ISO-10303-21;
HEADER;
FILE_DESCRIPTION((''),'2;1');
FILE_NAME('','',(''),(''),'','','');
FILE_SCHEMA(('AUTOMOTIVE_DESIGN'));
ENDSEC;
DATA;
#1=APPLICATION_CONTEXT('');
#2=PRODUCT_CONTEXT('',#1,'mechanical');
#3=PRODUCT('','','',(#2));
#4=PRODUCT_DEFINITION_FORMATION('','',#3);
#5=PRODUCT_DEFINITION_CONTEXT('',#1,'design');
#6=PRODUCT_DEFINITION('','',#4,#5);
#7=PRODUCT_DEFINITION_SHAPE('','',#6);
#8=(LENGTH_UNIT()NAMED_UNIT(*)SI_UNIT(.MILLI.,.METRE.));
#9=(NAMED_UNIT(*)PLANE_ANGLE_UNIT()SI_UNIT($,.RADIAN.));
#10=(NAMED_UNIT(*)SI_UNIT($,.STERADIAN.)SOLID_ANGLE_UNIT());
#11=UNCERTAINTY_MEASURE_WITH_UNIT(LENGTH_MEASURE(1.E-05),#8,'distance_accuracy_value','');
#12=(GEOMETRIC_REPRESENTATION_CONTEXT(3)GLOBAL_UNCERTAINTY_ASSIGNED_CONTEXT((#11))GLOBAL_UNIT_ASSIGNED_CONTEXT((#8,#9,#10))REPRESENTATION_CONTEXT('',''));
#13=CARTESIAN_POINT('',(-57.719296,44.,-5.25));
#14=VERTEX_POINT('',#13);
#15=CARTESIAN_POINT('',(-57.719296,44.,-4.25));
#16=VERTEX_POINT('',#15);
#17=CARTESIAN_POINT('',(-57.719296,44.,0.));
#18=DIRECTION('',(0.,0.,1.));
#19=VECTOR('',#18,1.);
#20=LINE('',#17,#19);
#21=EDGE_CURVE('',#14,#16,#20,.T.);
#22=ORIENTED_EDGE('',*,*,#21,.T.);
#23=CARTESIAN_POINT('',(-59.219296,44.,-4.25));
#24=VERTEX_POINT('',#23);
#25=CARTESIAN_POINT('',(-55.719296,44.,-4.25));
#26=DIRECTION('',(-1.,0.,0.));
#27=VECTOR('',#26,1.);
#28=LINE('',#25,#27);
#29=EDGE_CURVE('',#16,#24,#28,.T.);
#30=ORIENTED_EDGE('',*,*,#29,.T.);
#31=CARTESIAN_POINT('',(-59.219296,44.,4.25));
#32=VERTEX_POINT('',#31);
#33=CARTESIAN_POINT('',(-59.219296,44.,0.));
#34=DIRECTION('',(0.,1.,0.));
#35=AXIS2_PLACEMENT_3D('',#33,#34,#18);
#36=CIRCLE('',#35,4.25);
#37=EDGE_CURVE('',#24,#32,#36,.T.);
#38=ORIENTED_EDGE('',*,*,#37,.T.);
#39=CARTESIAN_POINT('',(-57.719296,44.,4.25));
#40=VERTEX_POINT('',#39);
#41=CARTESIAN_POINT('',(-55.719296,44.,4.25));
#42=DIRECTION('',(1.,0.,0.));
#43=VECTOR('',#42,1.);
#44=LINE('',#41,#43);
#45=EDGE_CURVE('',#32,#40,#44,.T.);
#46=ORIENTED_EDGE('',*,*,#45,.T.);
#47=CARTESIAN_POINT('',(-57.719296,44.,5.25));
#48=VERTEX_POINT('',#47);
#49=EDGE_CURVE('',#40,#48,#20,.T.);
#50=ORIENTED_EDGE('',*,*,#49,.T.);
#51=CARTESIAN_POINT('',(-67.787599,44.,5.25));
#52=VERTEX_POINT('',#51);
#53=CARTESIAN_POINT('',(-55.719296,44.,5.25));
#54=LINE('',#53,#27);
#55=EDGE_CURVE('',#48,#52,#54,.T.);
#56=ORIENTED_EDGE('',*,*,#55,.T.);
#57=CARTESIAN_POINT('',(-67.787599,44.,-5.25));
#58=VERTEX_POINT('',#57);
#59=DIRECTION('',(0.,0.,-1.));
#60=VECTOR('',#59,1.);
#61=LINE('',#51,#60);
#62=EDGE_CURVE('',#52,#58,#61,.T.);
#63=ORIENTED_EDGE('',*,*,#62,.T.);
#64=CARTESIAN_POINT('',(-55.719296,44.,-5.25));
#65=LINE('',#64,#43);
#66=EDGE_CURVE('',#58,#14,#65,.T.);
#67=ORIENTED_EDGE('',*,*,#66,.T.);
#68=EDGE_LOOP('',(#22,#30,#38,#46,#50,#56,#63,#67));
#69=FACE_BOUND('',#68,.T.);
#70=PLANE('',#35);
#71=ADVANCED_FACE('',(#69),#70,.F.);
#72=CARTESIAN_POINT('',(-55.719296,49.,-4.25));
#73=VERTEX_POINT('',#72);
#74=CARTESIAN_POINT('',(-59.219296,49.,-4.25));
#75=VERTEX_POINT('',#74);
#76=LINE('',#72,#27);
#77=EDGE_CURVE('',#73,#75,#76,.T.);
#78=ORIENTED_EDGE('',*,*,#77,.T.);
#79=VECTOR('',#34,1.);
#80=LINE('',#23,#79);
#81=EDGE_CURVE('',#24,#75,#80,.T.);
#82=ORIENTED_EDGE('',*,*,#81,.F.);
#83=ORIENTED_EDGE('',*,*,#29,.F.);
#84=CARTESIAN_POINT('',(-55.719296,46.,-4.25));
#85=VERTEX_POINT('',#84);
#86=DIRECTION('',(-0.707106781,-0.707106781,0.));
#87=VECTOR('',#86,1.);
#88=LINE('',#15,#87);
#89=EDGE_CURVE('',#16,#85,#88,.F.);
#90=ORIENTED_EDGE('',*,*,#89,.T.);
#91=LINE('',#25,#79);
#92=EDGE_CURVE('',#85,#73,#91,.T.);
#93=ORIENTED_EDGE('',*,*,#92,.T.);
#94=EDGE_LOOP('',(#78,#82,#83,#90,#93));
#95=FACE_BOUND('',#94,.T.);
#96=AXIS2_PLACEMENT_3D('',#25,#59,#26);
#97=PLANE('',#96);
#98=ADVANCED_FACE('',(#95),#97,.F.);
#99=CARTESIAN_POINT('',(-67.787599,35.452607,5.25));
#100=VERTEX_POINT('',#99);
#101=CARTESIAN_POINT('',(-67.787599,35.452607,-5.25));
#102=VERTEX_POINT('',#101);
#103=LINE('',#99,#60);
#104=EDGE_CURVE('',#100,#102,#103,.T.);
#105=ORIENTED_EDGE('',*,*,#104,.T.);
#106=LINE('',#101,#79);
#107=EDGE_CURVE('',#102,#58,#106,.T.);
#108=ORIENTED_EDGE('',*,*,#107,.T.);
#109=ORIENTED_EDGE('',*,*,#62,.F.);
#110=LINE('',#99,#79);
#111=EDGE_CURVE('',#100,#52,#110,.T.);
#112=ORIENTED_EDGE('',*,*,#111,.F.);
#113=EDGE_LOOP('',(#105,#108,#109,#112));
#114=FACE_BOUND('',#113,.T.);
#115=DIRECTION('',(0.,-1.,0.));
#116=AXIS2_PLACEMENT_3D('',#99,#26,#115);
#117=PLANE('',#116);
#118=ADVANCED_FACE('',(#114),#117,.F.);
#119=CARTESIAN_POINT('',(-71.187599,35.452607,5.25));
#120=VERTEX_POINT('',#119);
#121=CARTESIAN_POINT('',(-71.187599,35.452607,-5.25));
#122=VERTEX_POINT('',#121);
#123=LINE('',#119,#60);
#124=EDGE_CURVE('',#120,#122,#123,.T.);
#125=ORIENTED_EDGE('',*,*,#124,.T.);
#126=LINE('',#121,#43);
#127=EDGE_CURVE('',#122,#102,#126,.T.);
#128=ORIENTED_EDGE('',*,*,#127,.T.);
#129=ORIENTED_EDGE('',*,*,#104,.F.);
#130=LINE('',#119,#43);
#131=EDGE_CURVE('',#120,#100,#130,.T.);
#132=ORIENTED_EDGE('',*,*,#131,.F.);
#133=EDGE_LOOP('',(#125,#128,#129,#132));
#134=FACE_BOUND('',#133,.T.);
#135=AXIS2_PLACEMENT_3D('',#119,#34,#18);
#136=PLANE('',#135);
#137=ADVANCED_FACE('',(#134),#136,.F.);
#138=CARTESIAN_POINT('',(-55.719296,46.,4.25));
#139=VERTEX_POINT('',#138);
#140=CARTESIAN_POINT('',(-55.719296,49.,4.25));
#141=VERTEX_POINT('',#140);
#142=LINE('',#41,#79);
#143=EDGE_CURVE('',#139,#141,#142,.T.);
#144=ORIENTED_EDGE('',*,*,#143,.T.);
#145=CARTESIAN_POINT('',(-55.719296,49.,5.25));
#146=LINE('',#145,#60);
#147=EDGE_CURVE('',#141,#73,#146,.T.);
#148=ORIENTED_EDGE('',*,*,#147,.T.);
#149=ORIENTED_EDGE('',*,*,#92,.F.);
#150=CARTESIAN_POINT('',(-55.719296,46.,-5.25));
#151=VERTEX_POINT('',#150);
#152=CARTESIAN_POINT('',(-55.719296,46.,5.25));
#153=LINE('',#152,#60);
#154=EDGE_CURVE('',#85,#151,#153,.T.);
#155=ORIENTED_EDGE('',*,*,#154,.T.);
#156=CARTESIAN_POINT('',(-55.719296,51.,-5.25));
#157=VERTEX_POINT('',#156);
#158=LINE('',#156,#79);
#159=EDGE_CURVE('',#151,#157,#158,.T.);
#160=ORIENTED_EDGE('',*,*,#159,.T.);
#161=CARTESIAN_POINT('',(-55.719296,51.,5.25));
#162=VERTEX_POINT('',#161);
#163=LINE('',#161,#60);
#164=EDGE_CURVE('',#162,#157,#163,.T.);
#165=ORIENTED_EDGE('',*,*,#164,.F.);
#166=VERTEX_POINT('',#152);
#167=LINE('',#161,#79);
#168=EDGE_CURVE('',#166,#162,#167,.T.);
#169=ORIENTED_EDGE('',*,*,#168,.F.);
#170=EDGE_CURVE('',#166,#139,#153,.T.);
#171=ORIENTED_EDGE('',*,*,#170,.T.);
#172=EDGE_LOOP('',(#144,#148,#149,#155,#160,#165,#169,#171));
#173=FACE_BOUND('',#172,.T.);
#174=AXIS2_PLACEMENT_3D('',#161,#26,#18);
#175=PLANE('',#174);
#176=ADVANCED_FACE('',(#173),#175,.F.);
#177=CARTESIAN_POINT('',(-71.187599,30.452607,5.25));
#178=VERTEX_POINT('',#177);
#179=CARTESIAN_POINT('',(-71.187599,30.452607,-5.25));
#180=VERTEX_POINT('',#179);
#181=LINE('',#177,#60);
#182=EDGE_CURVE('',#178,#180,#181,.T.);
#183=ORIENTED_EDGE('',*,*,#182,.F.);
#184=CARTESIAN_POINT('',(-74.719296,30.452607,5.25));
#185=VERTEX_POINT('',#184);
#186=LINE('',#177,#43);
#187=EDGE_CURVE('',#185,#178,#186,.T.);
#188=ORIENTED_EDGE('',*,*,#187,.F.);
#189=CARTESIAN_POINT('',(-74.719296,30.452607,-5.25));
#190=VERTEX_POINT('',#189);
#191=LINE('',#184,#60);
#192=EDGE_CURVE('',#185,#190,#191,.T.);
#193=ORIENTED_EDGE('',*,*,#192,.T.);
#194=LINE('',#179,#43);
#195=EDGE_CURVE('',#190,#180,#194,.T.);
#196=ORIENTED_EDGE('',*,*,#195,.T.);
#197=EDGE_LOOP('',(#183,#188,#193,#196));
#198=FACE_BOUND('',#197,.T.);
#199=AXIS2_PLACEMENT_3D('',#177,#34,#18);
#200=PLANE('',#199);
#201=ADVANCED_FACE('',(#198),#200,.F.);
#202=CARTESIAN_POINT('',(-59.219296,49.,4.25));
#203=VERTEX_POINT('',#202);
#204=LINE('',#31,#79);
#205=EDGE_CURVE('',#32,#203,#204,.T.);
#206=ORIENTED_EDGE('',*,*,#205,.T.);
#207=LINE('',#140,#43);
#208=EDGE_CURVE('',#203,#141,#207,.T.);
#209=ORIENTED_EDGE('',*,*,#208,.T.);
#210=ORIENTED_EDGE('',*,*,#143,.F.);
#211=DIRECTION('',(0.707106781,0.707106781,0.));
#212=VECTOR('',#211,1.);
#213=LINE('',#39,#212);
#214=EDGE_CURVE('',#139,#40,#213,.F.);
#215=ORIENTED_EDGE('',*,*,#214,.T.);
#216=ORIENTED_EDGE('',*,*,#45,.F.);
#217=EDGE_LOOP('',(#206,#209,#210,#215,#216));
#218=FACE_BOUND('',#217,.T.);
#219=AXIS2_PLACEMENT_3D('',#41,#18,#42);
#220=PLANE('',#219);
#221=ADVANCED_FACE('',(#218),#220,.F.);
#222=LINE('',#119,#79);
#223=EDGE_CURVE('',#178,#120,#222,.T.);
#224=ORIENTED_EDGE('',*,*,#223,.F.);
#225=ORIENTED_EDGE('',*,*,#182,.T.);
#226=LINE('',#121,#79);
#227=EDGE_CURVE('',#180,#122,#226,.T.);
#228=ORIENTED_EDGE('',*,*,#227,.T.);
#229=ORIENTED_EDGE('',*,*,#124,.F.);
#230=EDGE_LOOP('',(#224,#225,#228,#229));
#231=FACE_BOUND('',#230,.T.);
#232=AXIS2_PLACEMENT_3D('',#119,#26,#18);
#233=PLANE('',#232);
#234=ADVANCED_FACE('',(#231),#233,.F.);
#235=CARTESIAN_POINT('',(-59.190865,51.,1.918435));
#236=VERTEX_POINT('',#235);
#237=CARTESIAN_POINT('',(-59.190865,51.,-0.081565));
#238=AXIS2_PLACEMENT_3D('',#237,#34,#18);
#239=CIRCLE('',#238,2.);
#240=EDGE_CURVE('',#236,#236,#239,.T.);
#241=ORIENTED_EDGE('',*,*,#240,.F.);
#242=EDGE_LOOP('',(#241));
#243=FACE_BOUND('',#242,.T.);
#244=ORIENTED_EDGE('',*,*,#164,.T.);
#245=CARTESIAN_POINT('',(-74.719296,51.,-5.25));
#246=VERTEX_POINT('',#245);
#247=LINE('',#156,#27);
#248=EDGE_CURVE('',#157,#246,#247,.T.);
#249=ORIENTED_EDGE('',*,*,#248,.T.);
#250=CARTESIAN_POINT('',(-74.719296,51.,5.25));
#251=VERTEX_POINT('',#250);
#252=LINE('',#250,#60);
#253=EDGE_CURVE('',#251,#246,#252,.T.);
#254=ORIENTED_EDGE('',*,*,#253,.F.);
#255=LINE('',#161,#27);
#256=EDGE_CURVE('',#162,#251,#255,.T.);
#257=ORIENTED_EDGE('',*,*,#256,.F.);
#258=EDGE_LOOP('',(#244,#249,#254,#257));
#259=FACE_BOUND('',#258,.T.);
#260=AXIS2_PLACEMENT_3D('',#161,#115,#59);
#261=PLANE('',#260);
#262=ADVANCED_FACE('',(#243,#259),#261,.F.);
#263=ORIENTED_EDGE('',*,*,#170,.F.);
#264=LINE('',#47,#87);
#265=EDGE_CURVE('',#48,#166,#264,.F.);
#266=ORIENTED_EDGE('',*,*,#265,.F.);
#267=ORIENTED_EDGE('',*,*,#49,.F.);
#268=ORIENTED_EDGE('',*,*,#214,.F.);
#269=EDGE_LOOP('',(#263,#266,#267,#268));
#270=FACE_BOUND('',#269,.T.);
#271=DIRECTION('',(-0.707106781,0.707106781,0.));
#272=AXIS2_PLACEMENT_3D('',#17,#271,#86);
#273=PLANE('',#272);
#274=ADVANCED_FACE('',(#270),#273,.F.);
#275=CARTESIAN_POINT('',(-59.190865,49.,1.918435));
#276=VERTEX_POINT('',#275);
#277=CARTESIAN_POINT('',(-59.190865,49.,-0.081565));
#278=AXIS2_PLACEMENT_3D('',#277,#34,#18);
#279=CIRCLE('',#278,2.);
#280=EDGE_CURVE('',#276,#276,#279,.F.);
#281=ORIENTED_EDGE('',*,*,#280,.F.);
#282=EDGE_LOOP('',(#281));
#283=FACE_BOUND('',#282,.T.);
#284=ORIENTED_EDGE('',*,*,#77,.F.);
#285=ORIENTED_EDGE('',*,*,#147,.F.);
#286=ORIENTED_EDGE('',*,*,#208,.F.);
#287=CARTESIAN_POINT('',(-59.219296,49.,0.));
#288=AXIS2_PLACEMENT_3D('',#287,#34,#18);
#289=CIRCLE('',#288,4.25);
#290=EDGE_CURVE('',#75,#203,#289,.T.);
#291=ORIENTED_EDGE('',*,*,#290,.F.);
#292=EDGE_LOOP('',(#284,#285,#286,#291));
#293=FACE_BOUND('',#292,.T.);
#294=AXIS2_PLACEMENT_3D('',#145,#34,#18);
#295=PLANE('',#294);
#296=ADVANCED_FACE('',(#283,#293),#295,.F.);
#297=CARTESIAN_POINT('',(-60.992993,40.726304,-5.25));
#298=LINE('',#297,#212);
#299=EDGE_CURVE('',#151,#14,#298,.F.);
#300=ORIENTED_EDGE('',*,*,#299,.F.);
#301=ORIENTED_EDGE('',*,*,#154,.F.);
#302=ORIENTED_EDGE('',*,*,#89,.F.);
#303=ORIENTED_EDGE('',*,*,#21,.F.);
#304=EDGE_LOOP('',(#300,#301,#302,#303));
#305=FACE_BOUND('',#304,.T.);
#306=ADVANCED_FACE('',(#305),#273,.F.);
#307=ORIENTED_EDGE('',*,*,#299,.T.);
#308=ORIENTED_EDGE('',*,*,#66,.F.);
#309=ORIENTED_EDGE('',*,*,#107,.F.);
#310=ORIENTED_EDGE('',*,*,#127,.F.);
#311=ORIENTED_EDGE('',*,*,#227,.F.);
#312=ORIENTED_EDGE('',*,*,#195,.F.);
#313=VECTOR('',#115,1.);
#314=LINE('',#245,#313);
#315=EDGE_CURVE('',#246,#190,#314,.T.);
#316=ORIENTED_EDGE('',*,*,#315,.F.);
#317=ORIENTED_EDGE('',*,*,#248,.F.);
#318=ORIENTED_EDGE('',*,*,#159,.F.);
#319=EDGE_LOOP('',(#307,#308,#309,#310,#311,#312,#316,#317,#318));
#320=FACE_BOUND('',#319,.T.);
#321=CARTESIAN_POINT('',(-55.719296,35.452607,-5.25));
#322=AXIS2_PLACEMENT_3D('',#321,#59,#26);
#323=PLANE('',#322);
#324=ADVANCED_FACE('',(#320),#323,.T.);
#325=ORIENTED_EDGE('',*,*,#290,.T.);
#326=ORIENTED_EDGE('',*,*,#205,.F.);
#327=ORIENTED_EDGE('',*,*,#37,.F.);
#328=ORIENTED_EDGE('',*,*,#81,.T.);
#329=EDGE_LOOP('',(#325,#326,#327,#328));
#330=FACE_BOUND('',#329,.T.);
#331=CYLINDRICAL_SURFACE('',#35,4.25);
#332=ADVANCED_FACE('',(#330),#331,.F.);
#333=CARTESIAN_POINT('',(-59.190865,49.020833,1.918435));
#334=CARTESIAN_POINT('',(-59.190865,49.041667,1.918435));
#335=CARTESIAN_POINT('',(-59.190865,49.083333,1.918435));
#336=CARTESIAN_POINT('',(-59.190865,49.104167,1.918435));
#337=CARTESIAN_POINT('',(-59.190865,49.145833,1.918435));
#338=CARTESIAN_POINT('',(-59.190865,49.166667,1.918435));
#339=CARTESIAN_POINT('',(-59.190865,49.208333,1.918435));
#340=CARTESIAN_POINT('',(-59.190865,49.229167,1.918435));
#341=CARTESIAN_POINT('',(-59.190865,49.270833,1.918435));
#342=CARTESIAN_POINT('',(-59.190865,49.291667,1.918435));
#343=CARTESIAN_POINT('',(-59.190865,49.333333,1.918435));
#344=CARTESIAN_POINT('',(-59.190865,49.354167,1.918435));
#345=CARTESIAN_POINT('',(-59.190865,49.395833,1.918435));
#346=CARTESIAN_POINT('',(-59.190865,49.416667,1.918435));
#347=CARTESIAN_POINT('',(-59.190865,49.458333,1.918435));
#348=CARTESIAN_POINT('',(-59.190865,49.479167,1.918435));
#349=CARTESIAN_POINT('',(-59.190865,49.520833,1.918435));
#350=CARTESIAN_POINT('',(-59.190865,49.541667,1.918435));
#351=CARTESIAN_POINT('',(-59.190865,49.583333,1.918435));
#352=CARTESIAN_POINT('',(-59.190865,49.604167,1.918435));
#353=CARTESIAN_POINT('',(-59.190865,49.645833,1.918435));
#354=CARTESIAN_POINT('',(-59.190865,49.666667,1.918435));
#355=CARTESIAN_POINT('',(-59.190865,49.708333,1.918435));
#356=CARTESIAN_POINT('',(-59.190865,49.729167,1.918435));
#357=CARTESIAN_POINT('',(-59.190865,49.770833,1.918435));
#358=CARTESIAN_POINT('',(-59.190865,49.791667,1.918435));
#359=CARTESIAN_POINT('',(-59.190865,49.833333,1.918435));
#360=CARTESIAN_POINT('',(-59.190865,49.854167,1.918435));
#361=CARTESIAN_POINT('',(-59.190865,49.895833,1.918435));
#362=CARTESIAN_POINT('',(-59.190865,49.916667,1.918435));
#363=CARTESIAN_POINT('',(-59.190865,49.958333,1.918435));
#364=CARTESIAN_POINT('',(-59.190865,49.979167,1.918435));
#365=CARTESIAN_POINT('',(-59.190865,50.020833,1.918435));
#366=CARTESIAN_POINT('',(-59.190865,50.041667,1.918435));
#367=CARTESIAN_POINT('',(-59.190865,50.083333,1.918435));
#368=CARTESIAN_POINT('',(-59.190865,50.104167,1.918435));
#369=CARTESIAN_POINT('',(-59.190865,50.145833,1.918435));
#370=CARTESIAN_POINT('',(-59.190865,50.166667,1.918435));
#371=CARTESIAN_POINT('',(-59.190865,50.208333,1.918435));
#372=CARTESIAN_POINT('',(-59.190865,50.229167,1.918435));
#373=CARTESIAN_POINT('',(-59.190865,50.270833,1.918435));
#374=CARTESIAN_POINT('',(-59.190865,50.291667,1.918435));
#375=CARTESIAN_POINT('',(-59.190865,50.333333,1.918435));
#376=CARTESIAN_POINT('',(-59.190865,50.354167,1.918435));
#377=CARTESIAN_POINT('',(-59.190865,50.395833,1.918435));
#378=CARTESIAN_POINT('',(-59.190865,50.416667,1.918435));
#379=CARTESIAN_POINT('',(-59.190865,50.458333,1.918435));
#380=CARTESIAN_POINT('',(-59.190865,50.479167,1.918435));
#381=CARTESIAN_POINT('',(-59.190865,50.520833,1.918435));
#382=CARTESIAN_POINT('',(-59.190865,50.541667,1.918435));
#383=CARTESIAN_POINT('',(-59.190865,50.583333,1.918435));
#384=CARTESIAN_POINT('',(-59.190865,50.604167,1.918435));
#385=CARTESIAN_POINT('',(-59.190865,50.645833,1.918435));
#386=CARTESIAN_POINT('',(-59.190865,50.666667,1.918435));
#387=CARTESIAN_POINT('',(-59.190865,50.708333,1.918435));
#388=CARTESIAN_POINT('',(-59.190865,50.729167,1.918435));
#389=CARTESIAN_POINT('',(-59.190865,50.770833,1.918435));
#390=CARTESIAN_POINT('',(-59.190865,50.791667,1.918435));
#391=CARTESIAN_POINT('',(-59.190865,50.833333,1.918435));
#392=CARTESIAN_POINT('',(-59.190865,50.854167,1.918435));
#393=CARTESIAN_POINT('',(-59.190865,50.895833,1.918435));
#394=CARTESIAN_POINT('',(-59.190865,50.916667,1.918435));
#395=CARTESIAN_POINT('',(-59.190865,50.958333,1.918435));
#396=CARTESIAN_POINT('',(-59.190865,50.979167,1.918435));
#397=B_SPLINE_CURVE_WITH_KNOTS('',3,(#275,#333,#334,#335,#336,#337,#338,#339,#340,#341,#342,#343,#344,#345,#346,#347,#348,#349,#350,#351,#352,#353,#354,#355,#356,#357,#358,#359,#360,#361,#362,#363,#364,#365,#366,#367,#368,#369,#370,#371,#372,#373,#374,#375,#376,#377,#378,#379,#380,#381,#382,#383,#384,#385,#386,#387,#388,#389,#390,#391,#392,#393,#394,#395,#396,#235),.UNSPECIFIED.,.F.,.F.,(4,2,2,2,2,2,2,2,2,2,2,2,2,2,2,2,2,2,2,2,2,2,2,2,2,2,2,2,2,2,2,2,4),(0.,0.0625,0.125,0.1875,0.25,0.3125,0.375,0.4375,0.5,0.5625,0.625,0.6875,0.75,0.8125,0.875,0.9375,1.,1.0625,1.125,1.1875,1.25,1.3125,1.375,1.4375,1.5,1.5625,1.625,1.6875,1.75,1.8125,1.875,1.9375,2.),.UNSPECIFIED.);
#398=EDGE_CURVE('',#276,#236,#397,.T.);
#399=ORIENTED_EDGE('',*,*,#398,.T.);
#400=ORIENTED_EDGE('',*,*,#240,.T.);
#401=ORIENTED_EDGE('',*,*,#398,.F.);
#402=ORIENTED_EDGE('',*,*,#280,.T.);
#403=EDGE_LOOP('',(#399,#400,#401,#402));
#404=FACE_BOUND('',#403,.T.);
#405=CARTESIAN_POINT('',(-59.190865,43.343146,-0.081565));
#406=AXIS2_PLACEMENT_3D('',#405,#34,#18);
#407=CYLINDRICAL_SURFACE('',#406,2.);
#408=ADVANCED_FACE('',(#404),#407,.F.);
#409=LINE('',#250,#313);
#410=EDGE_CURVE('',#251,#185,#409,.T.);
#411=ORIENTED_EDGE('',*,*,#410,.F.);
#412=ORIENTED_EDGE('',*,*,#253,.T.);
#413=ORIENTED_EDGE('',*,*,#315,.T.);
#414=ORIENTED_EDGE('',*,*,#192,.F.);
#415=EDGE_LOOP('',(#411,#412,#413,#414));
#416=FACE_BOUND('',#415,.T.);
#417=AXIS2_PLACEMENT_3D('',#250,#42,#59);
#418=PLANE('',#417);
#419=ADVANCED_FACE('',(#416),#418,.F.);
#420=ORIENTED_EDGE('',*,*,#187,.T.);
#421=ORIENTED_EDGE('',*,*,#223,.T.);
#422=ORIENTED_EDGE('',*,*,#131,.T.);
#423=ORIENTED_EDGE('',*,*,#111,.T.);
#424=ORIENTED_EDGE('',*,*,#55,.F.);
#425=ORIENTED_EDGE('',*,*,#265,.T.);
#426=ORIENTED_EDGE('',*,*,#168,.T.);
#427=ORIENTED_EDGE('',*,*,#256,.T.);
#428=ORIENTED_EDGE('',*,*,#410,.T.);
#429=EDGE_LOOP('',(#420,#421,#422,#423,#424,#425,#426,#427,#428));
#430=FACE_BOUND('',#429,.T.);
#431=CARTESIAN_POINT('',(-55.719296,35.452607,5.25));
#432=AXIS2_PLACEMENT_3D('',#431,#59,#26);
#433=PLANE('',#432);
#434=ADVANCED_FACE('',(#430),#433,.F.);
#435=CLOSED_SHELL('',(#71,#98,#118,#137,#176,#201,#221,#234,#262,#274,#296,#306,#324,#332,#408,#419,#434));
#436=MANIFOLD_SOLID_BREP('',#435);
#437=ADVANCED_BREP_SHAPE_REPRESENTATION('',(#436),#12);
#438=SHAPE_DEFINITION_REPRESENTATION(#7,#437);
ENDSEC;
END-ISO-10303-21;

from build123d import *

# Parameters (mm, degrees)
EXTRUSION1_DEPTH        = 5.25
EXTRUSION2_DEPTH        = 5
ESQUISSE3_R             = 2
ENL_V_MAT_EXTRU_1_DEPTH = 2
CHANFREIN1_SIZE         = 2


with BuildPart() as part:
    # Esquisse1 → Extrusion1 (new, symmetric)
    with BuildSketch(Plane.XY):
        Polygon((-55.719296469, 49), (-67.787598819, 49), (-67.787598819, 35.452607164), (-71.187598819, 35.452607164), (-71.187598819, 30.452607164), (-74.719296469, 30.452607164), (-74.719296469, 51), (-55.719296469, 51), align=None)
    extrude(amount=EXTRUSION1_DEPTH, both=True)

    # Esquisse2 → Extrusion2 (add)
    with BuildSketch(Plane.XZ.offset(-49)):
        with BuildLine():
            Line((-55.719296469, 5.25), (-69.802319992, 5.25))
            Line((-69.802319992, 5.25), (-69.802319992, -5.25))
            Line((-69.802319992, -5.25), (-55.719296469, -5.25))
            Line((-55.719296469, -5.25), (-55.719296469, -4.25))
            Line((-55.719296469, -4.25), (-59.219296469, -4.25))
            ThreePointArc((-59.219296469, -4.25), (-63.469296469, 0), (-59.219296469, 4.25))
            Line((-59.219296469, 4.25), (-55.719296469, 4.25))
            Line((-55.719296469, 4.25), (-55.719296469, 5.25))
        make_face()
    extrude(amount=EXTRUSION2_DEPTH)

    # Esquisse3 → Enlèv. mat.-Extru.1 (cut)
    with BuildSketch(Plane(origin=(0, 51, 0), x_dir=(-1, 0, 0), z_dir=(0, 1, 0))):
        with Locations(Location((59.190865046, -0.081564641, 0), (0, 0, 90))):
            Circle(ESQUISSE3_R)
    extrude(amount=-ENL_V_MAT_EXTRU_1_DEPTH, mode=Mode.SUBTRACT)

    # Chanfrein1
    chanfrein1_edges = [part.edges().sort_by_distance(p)[0] for p in [
        (-55.719296469, 44, -4.75),
        (-55.719296469, 44, 4.75),
    ]]
    chamfer(chanfrein1_edges, length=CHANFREIN1_SIZE)


solid = part.part
